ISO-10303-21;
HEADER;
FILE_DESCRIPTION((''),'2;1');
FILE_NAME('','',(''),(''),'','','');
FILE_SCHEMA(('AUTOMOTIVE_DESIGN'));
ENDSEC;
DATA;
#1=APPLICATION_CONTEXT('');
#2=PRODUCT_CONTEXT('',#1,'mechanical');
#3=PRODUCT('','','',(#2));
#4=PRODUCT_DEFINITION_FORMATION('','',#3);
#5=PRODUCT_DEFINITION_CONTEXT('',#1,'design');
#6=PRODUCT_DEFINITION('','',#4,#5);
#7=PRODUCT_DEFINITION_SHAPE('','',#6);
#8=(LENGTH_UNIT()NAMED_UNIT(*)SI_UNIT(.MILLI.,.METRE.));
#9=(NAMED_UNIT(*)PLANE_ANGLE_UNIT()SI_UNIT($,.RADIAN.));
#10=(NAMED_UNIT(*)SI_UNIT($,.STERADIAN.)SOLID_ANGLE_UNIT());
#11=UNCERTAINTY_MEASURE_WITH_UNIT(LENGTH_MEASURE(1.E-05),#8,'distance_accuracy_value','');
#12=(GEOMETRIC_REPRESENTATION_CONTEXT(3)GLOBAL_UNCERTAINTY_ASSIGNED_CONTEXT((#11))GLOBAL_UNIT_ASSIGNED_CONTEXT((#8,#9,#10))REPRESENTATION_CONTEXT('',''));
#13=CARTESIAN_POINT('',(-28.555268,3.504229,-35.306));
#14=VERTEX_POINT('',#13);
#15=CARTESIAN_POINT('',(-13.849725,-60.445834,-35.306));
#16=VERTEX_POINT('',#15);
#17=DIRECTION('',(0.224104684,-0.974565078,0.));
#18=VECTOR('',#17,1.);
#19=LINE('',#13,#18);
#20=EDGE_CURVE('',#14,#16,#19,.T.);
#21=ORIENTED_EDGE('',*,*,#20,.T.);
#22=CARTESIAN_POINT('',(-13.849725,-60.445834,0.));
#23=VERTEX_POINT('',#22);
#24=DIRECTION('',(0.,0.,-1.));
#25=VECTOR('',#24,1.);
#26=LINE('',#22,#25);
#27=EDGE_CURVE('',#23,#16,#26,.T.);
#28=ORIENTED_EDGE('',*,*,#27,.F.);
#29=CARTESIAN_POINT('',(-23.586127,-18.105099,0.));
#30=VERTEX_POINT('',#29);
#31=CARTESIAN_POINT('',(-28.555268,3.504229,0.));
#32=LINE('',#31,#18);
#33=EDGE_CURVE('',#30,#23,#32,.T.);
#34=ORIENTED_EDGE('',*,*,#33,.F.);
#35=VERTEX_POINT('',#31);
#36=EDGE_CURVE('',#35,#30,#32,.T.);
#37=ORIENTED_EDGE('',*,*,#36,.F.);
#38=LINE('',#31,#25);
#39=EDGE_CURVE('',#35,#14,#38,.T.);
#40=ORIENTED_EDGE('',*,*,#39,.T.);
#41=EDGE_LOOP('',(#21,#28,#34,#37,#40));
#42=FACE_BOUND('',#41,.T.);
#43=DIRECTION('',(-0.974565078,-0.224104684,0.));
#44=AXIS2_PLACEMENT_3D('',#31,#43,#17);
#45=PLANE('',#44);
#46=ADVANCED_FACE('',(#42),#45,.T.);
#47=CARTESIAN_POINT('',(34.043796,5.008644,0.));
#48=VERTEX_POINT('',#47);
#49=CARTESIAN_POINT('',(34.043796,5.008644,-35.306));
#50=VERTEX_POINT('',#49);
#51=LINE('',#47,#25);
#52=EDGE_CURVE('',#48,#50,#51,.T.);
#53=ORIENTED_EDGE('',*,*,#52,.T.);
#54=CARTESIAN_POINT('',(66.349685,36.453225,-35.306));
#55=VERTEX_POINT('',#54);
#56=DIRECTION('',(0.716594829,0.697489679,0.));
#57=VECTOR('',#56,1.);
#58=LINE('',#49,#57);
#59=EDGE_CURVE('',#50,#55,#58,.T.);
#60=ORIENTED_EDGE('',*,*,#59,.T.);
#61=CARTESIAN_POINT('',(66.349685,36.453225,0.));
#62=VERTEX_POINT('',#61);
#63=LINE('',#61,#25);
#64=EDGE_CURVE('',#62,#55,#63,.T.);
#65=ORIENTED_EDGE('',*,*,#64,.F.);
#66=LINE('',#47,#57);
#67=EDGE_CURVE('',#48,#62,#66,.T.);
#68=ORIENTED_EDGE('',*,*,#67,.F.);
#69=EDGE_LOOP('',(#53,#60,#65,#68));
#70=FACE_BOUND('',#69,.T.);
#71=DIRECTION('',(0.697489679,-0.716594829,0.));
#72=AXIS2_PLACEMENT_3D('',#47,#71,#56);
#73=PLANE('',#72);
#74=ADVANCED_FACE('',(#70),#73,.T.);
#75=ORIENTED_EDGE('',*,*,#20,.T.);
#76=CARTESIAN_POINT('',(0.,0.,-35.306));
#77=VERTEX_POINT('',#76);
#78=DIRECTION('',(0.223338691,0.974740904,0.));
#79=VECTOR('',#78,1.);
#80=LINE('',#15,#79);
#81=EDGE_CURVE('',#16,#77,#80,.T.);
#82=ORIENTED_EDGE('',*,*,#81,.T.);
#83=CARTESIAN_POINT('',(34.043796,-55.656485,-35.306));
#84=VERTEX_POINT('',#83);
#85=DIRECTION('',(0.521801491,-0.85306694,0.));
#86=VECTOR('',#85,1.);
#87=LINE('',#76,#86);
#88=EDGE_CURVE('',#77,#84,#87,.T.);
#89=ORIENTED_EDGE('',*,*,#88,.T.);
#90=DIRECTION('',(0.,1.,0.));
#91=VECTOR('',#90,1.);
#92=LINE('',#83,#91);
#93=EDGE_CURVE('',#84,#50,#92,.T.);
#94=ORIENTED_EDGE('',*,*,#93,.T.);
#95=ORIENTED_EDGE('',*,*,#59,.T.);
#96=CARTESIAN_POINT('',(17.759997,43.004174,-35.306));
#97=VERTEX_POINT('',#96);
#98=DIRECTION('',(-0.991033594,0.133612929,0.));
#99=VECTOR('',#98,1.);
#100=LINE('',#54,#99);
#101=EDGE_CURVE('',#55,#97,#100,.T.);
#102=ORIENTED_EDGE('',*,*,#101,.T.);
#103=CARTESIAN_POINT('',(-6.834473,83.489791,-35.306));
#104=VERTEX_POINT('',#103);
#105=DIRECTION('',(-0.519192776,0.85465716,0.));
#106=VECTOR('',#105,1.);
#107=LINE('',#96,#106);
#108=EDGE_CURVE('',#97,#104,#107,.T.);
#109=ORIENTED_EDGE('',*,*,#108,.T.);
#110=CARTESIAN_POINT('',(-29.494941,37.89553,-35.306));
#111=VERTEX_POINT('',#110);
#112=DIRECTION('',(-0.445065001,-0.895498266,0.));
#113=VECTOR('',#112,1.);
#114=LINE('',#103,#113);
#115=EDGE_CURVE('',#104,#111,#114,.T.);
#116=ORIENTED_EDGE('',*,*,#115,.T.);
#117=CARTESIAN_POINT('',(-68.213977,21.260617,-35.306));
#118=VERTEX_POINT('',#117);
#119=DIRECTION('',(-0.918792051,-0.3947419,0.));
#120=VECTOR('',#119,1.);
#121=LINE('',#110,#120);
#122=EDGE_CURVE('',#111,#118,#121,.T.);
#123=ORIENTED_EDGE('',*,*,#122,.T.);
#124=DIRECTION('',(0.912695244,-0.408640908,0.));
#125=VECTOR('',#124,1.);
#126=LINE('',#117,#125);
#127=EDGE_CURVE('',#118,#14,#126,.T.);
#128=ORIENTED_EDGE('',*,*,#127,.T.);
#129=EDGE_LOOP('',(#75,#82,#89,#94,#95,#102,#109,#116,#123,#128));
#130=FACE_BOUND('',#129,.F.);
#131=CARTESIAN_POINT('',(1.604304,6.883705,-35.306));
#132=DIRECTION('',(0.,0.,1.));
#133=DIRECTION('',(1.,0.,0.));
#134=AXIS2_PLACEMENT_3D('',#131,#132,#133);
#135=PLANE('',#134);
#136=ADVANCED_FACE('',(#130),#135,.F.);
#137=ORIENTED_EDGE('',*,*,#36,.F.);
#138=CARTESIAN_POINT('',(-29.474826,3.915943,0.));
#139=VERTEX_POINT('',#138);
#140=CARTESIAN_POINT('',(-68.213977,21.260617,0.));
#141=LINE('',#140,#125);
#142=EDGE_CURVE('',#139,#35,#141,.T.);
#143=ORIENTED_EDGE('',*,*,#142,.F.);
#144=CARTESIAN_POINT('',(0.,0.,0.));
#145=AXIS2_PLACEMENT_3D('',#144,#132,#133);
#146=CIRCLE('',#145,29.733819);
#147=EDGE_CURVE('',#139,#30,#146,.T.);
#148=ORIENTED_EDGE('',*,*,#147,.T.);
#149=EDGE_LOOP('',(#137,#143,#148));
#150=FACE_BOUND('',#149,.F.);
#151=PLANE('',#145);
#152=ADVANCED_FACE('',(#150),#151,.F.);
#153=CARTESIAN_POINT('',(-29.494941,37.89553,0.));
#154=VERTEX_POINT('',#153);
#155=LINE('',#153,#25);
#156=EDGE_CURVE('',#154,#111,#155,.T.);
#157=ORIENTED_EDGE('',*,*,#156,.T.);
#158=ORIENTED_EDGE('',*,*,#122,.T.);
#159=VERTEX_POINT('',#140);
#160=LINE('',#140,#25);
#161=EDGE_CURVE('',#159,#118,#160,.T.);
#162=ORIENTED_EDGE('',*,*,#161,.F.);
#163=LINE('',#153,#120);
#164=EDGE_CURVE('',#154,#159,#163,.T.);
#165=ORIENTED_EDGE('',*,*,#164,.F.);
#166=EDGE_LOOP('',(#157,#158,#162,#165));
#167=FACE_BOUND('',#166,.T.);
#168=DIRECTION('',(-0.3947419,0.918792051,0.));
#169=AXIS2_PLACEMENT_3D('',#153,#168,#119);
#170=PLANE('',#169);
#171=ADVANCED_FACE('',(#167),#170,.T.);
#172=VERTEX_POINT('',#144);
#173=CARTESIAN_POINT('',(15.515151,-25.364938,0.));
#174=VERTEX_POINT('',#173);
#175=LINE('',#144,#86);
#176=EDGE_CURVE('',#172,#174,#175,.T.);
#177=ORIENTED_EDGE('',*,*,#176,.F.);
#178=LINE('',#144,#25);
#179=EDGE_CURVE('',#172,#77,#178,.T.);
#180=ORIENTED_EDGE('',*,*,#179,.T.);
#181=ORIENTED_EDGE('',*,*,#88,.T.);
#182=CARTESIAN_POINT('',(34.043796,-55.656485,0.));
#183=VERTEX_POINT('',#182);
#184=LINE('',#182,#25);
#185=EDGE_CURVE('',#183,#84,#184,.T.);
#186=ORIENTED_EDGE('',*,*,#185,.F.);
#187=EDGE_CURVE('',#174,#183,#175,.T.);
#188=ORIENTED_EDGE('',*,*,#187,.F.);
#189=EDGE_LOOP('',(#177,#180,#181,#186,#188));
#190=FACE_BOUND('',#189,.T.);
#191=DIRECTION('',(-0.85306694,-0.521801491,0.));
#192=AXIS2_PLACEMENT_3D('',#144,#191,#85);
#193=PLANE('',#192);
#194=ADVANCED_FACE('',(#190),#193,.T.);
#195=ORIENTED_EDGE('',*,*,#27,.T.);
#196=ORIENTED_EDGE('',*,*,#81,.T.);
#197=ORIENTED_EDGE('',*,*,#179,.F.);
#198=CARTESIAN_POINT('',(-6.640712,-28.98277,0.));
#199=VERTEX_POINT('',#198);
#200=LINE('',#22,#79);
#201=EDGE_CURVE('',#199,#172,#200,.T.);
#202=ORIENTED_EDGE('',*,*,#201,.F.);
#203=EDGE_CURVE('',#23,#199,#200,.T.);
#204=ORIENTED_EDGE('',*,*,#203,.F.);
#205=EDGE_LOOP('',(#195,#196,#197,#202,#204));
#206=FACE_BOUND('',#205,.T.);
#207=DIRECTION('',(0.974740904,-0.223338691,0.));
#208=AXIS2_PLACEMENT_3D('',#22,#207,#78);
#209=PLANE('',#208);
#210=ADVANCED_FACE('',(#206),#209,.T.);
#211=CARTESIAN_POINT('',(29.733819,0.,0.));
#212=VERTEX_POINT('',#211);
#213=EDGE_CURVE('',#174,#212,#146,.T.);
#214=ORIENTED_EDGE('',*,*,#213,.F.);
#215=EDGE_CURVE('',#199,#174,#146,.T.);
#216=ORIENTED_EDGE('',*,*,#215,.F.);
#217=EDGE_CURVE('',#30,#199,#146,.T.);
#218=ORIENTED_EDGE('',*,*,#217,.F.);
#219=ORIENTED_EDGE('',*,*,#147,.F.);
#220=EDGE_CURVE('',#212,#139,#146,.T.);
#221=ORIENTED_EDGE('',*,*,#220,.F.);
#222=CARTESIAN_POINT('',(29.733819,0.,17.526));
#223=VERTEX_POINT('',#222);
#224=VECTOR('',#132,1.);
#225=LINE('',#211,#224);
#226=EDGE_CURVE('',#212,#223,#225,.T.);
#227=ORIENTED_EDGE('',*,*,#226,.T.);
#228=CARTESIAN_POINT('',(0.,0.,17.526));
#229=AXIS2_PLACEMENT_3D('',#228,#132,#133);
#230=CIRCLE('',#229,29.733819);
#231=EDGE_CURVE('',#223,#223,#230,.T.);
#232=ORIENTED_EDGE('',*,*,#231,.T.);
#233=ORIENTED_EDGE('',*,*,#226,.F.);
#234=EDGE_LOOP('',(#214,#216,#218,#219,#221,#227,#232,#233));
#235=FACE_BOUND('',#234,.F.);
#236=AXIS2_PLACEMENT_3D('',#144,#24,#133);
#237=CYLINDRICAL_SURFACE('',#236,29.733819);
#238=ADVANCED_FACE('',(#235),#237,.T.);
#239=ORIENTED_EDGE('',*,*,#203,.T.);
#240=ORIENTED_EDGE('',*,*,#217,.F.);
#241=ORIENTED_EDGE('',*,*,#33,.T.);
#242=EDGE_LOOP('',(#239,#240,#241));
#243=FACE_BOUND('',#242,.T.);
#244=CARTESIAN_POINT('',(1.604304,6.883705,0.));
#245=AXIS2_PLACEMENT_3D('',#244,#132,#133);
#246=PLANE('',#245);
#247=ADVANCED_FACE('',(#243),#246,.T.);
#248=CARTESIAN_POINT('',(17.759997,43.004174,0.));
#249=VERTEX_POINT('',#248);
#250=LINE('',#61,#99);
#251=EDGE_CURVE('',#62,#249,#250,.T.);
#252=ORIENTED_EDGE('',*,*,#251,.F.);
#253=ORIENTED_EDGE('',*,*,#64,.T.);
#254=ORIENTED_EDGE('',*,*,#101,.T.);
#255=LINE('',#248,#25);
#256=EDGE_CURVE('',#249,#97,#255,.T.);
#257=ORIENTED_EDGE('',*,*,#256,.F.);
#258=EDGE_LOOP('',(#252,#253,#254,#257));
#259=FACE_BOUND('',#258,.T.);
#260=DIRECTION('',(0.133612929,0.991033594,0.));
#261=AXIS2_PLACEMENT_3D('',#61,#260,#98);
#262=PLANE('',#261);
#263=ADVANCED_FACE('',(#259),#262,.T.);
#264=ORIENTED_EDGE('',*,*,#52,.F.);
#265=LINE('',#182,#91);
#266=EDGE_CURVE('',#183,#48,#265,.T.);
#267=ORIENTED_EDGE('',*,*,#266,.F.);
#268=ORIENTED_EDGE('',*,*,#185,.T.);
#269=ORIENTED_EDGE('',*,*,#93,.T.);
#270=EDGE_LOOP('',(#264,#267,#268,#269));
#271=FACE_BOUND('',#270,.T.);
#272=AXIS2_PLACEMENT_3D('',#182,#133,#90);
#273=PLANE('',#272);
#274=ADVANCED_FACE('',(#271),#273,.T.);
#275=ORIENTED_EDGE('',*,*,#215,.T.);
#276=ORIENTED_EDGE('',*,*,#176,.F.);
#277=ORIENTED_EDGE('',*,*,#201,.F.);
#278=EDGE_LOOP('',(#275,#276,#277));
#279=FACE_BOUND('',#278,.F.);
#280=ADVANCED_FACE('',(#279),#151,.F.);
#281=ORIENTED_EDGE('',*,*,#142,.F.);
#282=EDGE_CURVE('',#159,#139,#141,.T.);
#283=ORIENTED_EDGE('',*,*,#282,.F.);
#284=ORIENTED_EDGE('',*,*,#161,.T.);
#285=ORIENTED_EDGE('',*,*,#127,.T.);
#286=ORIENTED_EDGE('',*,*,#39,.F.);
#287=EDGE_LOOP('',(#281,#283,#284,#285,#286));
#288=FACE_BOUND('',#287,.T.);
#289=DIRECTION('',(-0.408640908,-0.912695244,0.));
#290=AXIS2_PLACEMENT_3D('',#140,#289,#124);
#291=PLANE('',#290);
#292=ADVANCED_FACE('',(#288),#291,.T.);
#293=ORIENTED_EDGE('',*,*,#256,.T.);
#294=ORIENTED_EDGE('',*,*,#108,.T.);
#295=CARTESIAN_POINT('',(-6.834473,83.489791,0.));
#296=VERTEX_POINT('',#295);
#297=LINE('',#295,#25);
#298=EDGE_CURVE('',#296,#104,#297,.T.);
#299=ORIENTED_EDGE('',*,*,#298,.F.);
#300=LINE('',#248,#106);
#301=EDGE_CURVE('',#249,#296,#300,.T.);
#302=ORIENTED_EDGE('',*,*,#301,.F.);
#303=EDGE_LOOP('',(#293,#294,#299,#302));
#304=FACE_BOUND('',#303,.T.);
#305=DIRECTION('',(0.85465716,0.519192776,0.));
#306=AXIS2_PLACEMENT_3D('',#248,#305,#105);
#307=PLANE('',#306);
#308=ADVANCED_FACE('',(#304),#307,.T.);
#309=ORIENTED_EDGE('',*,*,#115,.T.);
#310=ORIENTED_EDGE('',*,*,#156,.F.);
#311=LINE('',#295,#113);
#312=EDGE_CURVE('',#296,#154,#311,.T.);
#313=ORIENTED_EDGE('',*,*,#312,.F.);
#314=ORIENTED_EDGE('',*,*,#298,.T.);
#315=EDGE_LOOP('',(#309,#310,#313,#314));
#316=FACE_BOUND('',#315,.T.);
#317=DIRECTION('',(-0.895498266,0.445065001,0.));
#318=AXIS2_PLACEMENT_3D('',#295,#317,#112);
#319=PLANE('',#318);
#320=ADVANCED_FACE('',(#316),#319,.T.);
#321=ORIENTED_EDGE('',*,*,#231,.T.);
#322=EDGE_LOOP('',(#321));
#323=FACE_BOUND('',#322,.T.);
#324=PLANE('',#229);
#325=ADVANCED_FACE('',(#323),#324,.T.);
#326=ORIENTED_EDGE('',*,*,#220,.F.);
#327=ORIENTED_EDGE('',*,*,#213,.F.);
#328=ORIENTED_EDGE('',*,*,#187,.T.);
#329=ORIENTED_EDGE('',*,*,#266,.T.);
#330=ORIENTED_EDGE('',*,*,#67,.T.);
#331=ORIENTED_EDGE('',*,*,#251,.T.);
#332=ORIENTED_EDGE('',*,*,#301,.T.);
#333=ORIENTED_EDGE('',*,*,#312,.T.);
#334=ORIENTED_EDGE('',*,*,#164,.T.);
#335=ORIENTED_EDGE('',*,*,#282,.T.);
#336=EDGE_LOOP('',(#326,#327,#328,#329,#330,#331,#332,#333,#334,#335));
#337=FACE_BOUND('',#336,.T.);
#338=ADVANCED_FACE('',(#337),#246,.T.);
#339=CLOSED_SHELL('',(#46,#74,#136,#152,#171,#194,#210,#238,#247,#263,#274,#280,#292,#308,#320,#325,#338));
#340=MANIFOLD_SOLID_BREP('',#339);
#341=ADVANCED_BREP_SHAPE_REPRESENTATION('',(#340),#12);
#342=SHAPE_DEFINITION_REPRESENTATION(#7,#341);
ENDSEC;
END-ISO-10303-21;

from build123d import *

# Parameters (mm, degrees)
F1_DEPTH = 35.306
F2_R     = 29.733819
F3_DEPTH = 17.526


with BuildPart() as f1:
    # F0 (on Top) → F1 (new body)
    with BuildSketch(Plane.XY):
        Polygon((-6.834473, 83.489791), (-29.494941, 37.89553), (-68.213977, 21.260617), (-28.555268, 3.504229), (-13.849725, -60.445834), (0, 0), (34.043796, -55.656485), (34.043796, 5.008644), (66.349685, 36.453225), (17.759997, 43.004174), align=None)
    extrude(amount=-F1_DEPTH)

    # F2 (on Top) → F3 (join)
    with BuildSketch(Plane.XY):
        Circle(F2_R)
    extrude(amount=F3_DEPTH)


solid = f1.part
